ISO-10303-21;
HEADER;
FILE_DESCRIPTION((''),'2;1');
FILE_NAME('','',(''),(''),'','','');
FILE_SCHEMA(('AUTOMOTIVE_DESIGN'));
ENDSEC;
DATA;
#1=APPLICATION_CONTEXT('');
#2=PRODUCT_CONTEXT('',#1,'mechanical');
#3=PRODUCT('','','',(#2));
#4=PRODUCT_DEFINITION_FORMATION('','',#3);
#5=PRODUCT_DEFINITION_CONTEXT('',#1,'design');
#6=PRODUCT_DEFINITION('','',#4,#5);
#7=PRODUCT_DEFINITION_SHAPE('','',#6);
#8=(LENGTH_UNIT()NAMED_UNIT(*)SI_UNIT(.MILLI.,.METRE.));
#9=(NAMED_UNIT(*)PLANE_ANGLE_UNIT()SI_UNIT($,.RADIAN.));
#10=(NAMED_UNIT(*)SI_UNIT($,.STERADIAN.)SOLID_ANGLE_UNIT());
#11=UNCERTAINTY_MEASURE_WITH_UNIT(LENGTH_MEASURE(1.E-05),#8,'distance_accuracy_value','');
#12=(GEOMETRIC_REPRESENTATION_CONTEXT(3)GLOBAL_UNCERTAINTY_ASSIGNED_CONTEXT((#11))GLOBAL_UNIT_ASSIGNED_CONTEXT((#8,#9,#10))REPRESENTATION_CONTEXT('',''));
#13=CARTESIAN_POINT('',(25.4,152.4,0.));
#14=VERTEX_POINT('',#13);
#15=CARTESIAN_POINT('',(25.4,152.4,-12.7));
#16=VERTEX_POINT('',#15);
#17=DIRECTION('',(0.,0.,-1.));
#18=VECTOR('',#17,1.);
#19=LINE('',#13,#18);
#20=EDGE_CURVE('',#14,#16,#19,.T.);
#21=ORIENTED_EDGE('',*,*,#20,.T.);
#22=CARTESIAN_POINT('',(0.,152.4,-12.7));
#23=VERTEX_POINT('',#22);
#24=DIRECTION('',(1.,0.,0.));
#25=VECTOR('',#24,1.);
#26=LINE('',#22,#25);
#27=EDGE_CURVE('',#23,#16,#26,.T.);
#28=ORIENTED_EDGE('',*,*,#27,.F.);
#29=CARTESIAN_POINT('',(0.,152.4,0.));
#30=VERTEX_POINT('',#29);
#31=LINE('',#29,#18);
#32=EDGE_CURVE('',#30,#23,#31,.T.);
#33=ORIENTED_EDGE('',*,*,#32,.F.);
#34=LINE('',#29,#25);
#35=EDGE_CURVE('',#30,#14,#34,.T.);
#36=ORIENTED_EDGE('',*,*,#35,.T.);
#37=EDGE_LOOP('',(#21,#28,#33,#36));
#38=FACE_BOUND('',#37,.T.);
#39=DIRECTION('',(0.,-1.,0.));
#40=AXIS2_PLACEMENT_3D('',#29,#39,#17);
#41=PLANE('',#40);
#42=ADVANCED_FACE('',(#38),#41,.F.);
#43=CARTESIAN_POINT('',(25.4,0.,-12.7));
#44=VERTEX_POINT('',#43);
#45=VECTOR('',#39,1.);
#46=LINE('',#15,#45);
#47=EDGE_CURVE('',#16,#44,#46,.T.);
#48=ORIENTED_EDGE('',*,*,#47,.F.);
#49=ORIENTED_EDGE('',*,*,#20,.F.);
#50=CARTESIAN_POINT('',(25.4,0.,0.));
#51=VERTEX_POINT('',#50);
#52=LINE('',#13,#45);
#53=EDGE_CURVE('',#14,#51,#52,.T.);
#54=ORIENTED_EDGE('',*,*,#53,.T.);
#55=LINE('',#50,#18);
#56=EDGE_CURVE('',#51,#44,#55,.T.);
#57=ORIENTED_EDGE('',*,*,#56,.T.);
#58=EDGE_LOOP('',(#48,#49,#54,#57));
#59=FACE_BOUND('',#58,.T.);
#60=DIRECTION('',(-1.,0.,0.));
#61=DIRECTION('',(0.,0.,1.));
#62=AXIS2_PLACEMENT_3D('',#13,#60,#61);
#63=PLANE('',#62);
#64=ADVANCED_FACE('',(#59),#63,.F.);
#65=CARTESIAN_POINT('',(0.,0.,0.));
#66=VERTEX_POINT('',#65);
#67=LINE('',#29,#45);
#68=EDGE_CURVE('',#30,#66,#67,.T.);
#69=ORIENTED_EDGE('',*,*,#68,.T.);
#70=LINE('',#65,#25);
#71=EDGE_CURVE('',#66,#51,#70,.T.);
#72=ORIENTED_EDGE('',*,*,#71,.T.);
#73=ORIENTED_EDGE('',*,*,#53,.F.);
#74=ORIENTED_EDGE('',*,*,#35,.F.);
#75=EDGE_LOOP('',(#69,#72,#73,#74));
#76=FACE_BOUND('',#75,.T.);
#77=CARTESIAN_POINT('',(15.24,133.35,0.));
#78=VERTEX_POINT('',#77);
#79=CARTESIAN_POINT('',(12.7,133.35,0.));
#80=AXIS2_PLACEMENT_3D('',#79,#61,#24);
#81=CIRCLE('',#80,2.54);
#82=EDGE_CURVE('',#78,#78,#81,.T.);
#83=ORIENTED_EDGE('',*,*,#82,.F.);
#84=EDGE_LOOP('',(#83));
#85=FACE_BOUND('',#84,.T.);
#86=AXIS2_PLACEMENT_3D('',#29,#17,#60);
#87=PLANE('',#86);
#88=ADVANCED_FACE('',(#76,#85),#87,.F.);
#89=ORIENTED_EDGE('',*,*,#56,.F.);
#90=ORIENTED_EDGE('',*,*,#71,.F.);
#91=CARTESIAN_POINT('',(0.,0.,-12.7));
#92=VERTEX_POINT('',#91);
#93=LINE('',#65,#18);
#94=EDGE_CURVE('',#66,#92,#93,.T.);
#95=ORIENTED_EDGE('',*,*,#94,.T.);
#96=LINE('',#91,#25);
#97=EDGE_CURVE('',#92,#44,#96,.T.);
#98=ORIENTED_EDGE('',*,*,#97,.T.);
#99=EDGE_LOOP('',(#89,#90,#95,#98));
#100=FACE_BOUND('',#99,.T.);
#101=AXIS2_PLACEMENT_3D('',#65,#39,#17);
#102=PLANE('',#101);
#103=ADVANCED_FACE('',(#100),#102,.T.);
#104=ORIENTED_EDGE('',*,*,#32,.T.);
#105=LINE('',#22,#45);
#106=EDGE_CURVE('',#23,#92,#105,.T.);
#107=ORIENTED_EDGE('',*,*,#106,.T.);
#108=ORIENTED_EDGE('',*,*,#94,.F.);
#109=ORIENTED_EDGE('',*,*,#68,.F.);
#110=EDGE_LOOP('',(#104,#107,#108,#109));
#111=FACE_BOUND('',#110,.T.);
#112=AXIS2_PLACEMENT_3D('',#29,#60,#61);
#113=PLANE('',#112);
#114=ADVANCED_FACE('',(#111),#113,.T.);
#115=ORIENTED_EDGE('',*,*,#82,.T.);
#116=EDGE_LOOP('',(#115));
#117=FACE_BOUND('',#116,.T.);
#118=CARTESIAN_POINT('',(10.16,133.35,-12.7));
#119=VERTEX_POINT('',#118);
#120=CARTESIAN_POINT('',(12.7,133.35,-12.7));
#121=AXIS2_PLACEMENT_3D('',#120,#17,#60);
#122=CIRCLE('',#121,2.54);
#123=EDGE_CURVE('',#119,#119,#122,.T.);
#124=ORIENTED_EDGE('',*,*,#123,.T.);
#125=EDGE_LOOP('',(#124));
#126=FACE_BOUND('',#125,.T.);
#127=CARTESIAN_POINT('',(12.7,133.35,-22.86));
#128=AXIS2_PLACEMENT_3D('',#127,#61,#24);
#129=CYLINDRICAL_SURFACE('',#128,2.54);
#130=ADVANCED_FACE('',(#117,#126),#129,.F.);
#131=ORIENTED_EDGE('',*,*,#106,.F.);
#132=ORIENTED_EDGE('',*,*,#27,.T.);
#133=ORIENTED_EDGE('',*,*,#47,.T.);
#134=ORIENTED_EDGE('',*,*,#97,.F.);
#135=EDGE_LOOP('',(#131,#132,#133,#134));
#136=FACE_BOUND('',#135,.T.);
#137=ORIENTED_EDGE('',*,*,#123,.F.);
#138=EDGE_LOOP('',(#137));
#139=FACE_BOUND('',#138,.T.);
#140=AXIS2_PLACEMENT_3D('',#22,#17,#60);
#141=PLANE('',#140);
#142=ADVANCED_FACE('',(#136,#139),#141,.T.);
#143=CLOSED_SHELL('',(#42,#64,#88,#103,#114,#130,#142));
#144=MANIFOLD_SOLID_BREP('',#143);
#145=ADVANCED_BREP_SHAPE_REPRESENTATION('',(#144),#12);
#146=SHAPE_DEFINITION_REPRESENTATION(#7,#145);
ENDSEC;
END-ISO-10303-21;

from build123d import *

# Parameters (mm, degrees)
SKETCH1_W           = 25.4
SKETCH1_H           = 12.7
BOSS_EXTRUDE2_DEPTH = 152.4
SKETCH2_R           = 2.54
CUT_EXTRUDE2_DEPTH  = 22.86


with BuildPart() as part:
    # Sketch1 → Boss-Extrude2 (new body)
    with BuildSketch(Plane(origin=(0, 0, 0), x_dir=(1, 0, 0), z_dir=(0, 1, 0))):
        with Locations((12.7, 6.35)):
            Rectangle(SKETCH1_W, SKETCH1_H)
    extrude(amount=BOSS_EXTRUDE2_DEPTH)

    # Sketch2 → Cut-Extrude2 (cut)
    with BuildSketch(Plane.XY):
        with Locations((12.7, 133.35)):
            Circle(SKETCH2_R)
    extrude(amount=-CUT_EXTRUDE2_DEPTH, mode=Mode.SUBTRACT)


solid = part.part
